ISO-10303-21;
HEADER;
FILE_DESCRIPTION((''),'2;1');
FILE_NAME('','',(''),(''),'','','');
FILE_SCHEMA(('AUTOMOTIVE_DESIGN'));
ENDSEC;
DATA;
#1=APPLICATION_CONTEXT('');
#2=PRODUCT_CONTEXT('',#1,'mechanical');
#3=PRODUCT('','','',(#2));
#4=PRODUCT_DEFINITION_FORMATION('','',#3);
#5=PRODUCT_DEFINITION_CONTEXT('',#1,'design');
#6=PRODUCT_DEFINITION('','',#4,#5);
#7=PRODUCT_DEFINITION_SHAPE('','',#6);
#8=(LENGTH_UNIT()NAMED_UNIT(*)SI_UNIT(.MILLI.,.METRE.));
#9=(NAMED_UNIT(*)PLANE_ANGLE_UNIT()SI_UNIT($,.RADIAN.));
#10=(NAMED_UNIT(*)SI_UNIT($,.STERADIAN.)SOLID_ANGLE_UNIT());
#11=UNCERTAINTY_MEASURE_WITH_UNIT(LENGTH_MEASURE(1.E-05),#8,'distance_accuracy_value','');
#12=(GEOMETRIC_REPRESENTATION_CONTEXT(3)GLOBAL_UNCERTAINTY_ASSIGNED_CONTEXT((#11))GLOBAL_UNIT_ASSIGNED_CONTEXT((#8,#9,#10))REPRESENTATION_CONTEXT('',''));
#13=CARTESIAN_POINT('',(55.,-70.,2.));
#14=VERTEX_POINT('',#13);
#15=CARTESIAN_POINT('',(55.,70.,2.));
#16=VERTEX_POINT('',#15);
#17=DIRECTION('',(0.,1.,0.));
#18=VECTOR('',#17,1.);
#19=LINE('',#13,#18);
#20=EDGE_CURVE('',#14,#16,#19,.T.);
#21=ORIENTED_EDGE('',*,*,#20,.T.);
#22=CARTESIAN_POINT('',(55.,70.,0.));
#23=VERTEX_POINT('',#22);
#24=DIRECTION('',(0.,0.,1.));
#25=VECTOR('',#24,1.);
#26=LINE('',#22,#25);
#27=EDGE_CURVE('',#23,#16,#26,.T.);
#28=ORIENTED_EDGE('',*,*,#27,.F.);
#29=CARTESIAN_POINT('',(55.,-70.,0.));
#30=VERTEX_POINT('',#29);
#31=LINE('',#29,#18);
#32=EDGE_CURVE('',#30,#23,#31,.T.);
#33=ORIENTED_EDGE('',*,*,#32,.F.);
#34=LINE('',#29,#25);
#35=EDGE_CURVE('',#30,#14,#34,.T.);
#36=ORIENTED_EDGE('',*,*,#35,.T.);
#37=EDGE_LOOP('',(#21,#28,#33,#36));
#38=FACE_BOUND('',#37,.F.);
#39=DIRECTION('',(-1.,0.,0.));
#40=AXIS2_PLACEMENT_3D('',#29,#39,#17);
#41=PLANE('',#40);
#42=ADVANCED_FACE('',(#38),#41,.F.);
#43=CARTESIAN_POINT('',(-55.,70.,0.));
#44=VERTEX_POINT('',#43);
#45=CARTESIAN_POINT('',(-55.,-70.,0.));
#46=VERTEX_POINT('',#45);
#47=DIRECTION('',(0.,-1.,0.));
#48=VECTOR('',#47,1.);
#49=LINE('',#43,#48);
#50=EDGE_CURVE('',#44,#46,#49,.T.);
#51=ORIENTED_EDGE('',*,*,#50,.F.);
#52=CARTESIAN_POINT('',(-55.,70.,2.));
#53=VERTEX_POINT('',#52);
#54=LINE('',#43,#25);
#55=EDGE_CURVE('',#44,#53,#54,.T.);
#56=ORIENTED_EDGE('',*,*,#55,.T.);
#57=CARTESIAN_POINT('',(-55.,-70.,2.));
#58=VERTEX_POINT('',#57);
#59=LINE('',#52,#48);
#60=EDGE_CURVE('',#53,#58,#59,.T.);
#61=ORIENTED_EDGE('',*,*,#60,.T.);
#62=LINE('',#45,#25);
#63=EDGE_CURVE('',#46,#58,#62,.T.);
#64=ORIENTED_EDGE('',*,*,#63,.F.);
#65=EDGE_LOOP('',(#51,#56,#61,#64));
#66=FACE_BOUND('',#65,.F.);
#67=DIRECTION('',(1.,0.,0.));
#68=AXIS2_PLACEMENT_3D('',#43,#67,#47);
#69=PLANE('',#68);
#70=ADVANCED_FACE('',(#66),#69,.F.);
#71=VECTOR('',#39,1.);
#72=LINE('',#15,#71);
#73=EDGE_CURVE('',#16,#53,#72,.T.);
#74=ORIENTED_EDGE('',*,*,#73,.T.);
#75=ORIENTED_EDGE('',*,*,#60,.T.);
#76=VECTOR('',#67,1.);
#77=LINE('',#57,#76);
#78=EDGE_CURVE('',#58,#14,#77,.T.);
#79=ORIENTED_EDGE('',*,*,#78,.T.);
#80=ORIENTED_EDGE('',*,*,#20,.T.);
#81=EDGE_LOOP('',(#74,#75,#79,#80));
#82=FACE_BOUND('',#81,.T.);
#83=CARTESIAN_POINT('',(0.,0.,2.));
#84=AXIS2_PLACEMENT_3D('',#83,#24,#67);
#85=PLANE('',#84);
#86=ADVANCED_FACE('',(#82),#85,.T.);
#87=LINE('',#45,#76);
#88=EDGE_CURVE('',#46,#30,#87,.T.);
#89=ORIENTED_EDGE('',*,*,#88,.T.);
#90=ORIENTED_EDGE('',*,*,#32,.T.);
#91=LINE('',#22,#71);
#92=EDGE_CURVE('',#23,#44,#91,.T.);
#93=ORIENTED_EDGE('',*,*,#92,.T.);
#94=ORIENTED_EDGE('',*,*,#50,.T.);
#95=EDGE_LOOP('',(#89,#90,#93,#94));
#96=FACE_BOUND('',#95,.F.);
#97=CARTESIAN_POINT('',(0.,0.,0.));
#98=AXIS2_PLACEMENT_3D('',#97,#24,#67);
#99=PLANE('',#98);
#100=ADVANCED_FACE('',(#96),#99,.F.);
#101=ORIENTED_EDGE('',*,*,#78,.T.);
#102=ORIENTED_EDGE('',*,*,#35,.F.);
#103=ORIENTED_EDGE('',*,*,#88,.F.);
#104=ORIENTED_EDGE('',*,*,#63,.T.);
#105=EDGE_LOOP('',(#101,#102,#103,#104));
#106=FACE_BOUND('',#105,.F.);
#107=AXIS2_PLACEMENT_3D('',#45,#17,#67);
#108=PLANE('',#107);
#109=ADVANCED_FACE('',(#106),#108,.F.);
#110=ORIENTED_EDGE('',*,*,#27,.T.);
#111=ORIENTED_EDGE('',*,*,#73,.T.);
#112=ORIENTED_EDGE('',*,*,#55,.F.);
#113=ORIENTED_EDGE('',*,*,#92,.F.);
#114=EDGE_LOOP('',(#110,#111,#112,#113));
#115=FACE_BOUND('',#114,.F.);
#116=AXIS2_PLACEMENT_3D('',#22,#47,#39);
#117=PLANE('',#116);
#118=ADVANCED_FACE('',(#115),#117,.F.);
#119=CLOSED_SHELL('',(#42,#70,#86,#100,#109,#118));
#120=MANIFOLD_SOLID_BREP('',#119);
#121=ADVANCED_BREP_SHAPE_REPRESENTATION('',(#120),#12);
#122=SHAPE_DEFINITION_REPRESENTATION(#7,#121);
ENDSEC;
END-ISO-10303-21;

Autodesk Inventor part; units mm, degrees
ref_plane "YZ Plane" through (0, 0, 0) normal (1, 0, 0) x (0, 1, 0)
ref_plane "XZ Plane" through (0, 0, 0) normal (0, 1, 0) x (-1, 0, 0)
ref_plane "XY Plane" through (0, 0, 0) normal (0, 0, 1) x (1, 0, 0)
sketch "Szkic1" plane through (0, 0, 0) normal (0, 0, 1) x (1, 0, 0)
  line L0 (-55, -70) -> (55, -70)
  line L1 (55, -70) -> (55, 70)
  line L2 (55, 70) -> (-55, 70)
  line L3 (-55, 70) -> (-55, -70)
  line L4 (-55, -70) -> (55, 70) construction
  line L5 (55, -70) -> (-55, 70) construction
  point P0 (0, 0)
  dimension "d0" = 110
  dimension "d1" = 140
extrude "Wyciągnięcie proste1" add sketch "Szkic1" along normal blind 2
properties part number "pleksi"
